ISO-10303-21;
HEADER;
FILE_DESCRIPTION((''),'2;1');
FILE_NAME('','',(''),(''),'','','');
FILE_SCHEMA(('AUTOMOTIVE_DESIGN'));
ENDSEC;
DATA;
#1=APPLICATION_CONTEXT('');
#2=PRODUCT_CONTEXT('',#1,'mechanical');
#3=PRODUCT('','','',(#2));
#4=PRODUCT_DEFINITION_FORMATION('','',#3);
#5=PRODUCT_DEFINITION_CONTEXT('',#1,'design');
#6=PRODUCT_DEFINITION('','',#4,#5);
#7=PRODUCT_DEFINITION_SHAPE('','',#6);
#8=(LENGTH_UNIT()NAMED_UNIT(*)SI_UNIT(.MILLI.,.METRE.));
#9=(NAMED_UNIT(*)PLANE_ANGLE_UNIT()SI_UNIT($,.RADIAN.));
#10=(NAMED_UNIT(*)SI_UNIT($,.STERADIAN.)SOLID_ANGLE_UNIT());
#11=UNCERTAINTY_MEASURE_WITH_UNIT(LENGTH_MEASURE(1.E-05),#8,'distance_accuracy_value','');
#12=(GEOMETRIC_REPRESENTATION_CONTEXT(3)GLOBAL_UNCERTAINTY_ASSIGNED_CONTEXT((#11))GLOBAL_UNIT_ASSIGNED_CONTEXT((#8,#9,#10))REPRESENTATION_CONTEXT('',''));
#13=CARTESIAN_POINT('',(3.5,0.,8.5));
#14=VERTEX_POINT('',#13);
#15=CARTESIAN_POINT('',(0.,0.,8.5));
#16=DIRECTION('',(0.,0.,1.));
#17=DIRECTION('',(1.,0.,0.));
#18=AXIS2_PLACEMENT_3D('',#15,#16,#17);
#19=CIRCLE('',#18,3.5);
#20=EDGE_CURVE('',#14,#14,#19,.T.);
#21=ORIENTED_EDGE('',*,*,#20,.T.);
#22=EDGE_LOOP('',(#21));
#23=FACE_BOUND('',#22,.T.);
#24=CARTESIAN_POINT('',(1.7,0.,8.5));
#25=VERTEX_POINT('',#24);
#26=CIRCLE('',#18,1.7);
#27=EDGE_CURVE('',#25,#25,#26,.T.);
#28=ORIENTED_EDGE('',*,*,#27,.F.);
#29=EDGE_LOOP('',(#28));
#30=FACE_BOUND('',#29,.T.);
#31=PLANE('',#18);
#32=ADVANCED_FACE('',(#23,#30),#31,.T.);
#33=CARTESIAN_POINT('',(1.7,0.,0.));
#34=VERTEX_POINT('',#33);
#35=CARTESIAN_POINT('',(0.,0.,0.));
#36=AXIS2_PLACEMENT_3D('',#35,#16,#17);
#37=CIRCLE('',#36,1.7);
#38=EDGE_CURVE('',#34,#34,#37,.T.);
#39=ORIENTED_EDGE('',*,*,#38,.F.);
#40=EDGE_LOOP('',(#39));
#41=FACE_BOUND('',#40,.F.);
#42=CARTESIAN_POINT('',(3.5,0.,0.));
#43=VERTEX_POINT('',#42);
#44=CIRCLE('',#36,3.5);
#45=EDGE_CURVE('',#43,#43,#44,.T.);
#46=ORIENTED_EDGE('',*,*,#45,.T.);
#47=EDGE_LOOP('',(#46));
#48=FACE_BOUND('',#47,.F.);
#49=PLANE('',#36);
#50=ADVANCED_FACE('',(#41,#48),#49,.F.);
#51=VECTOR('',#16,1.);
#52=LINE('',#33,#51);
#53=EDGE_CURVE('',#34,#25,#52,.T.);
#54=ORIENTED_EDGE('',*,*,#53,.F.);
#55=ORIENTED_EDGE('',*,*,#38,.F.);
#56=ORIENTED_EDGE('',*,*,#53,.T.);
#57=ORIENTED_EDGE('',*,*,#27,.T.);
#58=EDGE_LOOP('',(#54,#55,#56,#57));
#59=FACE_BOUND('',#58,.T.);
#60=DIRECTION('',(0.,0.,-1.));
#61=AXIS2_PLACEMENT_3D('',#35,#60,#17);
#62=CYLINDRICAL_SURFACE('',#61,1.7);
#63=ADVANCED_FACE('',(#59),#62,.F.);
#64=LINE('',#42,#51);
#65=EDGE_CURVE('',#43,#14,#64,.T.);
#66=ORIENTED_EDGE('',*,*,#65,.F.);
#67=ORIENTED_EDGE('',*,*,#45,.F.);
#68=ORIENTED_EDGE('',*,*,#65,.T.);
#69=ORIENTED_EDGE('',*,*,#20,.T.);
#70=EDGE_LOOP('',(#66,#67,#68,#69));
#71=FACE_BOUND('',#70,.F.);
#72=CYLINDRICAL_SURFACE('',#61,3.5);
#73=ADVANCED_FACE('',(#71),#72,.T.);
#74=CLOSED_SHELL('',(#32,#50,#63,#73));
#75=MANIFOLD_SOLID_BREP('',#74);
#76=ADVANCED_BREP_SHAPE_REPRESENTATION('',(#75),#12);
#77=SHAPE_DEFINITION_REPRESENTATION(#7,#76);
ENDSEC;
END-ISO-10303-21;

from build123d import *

# Parameters (mm, degrees)
CYLINDER031_R     = 1.7
CYLINDER031_DEPTH = 8.5
CYLINDER030_R     = 3.5
CYLINDER030_DEPTH = 8.5


with BuildPart() as cylinder031:
    # Cylinder031 → Cylinder031 (new body)
    with BuildSketch(Plane.XY):
        Circle(CYLINDER031_R)
    extrude(amount=CYLINDER031_DEPTH)


with BuildPart() as bottom_spacer:
    # Cylinder030 → Cylinder030 (new body)
    with BuildSketch(Plane.XY):
        Circle(CYLINDER030_R)
    extrude(amount=CYLINDER030_DEPTH)

    # Cut028006004005011004003001010002019: cut Cylinder031
    add(cylinder031.part, mode=Mode.SUBTRACT)


solid = bottom_spacer.part
